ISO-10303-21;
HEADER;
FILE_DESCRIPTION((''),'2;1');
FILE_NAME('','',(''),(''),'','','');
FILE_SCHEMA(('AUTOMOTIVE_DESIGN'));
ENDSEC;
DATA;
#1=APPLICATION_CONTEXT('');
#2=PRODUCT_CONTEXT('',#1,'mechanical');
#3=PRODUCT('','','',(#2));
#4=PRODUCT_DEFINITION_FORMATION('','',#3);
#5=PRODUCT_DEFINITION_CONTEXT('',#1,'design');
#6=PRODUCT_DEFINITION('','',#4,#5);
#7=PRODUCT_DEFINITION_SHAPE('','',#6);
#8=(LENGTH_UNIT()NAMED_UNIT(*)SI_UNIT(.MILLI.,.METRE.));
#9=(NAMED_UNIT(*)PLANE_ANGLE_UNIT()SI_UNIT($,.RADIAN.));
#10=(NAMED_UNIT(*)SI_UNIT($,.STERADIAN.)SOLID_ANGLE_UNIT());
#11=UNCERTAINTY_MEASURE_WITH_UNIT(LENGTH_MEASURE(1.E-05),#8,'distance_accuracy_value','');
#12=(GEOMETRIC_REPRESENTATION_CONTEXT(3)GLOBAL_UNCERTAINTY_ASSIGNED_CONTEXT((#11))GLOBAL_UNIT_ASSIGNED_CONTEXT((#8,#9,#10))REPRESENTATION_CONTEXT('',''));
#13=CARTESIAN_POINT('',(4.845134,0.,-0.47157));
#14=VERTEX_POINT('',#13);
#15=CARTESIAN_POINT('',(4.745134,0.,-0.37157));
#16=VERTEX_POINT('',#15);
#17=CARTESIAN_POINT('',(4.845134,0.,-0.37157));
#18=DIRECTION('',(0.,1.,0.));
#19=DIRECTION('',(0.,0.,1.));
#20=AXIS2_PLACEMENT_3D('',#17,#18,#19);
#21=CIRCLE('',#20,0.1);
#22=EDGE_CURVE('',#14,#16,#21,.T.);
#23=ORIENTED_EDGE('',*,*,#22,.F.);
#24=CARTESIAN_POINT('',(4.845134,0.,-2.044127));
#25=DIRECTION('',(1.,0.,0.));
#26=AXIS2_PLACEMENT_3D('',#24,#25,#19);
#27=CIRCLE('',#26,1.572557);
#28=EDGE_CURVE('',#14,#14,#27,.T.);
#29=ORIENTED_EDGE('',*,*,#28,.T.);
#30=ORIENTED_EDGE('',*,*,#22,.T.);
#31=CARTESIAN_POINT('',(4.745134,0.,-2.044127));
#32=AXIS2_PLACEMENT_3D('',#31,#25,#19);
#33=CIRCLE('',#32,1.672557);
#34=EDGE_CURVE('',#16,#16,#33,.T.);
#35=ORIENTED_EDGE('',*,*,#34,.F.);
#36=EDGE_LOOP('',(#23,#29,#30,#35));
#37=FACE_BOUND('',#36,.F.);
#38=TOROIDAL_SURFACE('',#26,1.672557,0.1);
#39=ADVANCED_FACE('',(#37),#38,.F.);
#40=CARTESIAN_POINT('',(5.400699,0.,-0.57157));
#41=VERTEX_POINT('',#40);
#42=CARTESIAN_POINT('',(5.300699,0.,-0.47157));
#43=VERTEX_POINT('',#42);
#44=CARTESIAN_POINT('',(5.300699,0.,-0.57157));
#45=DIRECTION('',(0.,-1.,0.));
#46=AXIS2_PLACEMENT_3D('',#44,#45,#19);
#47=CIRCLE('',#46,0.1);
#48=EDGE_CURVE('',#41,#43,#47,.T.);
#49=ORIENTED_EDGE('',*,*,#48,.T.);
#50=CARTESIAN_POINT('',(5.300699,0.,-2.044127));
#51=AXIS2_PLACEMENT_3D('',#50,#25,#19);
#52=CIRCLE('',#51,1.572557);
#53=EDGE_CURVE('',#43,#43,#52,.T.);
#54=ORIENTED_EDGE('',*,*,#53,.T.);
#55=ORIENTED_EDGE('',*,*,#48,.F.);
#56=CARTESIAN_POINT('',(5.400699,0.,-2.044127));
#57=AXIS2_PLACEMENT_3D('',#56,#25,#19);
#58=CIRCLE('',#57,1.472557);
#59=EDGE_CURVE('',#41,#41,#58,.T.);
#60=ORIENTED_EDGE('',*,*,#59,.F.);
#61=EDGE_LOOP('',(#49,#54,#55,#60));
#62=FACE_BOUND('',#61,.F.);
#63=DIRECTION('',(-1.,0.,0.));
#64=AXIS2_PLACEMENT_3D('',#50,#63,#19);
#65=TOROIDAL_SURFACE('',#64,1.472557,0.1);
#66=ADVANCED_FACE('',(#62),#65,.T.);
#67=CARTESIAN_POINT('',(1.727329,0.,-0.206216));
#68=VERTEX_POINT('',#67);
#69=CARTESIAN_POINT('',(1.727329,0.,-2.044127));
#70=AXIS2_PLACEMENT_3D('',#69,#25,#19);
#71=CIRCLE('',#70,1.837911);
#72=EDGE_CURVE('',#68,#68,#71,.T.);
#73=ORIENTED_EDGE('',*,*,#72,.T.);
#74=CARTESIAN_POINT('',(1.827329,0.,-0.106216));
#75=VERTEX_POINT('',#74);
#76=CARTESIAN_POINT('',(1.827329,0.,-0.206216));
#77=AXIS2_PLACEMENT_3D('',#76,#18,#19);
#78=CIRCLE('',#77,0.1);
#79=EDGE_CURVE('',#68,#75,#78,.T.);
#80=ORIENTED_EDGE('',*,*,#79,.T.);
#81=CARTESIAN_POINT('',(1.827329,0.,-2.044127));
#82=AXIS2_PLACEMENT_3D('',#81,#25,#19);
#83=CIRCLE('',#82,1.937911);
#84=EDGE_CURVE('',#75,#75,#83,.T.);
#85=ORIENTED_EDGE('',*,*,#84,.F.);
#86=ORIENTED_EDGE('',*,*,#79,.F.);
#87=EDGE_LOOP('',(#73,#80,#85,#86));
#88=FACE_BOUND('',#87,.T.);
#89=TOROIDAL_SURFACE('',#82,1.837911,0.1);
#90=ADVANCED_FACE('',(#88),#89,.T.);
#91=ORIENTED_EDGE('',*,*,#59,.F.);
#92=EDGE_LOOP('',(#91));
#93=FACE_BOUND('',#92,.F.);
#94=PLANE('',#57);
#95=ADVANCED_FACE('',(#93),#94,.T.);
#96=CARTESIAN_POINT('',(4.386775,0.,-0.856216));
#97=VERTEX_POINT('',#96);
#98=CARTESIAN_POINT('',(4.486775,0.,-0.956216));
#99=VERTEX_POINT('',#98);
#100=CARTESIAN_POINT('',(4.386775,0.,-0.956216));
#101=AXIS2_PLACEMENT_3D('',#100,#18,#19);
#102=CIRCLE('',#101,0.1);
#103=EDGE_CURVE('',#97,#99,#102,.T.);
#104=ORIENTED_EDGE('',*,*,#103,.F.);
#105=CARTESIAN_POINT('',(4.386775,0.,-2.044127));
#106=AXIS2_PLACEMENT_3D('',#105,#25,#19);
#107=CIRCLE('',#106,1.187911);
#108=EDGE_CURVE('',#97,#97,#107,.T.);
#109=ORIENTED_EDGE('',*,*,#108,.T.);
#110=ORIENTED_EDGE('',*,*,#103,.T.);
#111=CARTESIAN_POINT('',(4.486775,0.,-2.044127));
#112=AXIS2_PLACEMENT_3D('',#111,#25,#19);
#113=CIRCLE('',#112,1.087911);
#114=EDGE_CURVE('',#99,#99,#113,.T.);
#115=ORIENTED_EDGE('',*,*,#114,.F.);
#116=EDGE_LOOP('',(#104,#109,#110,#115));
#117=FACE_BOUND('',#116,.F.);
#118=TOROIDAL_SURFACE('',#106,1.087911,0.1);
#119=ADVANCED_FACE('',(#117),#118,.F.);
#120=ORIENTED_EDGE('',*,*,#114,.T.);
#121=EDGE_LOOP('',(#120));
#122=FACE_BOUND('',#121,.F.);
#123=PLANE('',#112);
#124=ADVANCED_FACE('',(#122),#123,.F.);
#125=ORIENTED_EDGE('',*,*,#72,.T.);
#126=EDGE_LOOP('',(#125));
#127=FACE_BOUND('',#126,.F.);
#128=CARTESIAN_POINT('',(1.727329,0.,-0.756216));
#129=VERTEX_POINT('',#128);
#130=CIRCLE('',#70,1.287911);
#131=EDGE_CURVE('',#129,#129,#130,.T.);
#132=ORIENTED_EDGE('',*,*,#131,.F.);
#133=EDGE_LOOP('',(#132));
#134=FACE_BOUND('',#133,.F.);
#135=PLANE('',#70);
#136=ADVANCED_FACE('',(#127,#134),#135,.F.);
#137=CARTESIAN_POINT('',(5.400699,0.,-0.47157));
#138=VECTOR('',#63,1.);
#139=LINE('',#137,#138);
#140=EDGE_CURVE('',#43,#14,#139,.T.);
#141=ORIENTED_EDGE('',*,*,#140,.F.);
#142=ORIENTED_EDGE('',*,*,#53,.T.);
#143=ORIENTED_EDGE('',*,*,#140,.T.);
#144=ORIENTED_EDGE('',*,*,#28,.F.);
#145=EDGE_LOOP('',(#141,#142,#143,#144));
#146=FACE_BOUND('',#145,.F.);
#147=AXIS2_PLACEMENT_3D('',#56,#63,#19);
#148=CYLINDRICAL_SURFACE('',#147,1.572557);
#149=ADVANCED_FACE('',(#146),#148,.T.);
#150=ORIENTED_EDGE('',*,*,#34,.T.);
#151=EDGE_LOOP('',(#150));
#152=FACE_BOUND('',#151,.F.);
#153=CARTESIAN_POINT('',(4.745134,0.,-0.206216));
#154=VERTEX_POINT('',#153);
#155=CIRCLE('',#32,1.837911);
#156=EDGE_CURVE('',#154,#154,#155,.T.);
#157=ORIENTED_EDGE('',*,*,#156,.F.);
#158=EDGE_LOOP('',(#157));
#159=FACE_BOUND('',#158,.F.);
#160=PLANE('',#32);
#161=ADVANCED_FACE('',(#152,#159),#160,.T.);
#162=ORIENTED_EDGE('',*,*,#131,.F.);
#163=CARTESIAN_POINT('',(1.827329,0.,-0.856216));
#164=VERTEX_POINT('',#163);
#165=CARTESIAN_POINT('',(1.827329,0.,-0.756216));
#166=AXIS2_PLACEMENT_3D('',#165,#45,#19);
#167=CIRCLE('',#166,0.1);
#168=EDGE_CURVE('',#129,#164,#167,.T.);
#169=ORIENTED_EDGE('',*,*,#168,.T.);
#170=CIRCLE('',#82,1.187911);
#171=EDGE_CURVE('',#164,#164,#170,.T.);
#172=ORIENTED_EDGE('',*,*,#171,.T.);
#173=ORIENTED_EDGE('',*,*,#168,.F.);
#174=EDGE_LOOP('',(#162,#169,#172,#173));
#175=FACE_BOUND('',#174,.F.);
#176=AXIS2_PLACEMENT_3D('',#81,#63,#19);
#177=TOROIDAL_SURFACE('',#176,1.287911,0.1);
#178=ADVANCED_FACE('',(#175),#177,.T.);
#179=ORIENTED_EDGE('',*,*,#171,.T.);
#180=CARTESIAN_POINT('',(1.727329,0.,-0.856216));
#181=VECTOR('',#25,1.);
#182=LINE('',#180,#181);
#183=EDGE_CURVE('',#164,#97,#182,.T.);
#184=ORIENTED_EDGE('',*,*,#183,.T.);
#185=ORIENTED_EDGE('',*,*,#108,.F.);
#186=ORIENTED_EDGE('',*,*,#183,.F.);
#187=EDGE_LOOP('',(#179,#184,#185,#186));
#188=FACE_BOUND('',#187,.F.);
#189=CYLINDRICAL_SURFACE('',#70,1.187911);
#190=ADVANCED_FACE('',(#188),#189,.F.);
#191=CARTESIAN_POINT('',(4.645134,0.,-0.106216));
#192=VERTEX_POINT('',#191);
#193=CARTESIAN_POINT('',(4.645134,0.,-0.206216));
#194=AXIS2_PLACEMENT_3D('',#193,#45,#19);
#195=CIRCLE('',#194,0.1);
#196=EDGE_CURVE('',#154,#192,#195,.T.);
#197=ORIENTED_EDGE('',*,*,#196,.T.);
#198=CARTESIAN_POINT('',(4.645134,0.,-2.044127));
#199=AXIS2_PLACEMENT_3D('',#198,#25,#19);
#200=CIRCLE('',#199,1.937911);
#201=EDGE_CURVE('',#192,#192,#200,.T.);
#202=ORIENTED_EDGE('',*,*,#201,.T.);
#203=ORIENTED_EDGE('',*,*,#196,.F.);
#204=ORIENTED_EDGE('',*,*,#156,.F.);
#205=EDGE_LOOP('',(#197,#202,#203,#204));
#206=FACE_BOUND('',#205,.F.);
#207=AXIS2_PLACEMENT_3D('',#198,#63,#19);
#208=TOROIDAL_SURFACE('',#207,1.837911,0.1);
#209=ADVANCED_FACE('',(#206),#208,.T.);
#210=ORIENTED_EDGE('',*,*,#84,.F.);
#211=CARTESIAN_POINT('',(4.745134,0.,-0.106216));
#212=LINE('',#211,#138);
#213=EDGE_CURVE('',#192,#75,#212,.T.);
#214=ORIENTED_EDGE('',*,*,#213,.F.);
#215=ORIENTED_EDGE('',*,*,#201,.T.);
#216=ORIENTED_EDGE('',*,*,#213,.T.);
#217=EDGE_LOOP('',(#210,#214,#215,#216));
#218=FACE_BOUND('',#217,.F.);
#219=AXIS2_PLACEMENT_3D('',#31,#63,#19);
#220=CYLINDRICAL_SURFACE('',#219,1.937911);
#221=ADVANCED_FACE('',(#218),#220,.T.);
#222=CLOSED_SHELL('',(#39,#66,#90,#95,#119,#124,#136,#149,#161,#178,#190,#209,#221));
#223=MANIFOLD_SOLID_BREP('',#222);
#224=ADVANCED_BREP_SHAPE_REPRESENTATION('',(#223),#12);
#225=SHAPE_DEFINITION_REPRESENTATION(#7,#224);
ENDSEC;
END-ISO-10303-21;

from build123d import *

# Parameters (mm, degrees)
F2_R = 0.1


with BuildPart() as f1:
    # F0 (on Front) → F1 (revolve)
    with BuildSketch(Plane.XZ):
        Polygon((1.7273294695, -0.8562160147), (4.4867754914, -0.8562160147), (4.7451336868, -0.8562160147), (4.7451336868, -0.4715703544), (4.7451336868, -0.1062160147), (1.7273294695, -0.1062160147), align=None)
        with BuildLine():
            Line((4.7451336868, -0.8755073351), (4.7451336868, -2.0441274822))
            Line((4.7451336868, -2.0441274822), (5.0729163922, -2.0441274822))
            ThreePointArc((5.0729163922, -2.0441274822), (5.2045005663, -1.8783684928), (5.4006990977, -1.7990175402))
            Line((5.4006990977, -1.7990175402), (5.4006990977, -0.4715703544))
            Line((5.4006990977, -0.4715703544), (4.7451336868, -0.4715703544))
            Line((4.7451336868, -0.4715703544), (4.7451336868, -0.8562160147))
            Line((4.7451336868, -0.8562160147), (4.7451336868, -0.8755073351))
        make_face()
        Polygon((4.4867754914, -0.8562160147), (4.4867754914, -2.0441274822), (4.7451336868, -2.0441274822), (4.7451336868, -0.8755073351), (4.7451336868, -0.8562160147), align=None)
        with BuildLine():
            ThreePointArc((5.4006990977, -1.7990175402), (5.2045005663, -1.8783684928), (5.0729163922, -2.0441274822))
            Line((5.0729163922, -2.0441274822), (5.4006990977, -2.0441274822))
            Line((5.4006990977, -2.0441274822), (5.4006990977, -1.7990175402))
        make_face()
    revolve(axis=Axis((-1.1655114821, 0, -2.0441274822), (1, 0, 0)))

    # F2
    f2_edges = [f1.edges().sort_by_distance(p)[0] for p in [
        (4.745134, 0, -3.616685),
        (5.400699, 0, -3.616685),
        (1.727329, 0, -3.982039),
        (1.727329, 0, -3.232039),
        (4.486775, 0, -3.232039),
        (4.745134, 0, -3.982039),
    ]]
    fillet(f2_edges, radius=F2_R)


solid = f1.part
